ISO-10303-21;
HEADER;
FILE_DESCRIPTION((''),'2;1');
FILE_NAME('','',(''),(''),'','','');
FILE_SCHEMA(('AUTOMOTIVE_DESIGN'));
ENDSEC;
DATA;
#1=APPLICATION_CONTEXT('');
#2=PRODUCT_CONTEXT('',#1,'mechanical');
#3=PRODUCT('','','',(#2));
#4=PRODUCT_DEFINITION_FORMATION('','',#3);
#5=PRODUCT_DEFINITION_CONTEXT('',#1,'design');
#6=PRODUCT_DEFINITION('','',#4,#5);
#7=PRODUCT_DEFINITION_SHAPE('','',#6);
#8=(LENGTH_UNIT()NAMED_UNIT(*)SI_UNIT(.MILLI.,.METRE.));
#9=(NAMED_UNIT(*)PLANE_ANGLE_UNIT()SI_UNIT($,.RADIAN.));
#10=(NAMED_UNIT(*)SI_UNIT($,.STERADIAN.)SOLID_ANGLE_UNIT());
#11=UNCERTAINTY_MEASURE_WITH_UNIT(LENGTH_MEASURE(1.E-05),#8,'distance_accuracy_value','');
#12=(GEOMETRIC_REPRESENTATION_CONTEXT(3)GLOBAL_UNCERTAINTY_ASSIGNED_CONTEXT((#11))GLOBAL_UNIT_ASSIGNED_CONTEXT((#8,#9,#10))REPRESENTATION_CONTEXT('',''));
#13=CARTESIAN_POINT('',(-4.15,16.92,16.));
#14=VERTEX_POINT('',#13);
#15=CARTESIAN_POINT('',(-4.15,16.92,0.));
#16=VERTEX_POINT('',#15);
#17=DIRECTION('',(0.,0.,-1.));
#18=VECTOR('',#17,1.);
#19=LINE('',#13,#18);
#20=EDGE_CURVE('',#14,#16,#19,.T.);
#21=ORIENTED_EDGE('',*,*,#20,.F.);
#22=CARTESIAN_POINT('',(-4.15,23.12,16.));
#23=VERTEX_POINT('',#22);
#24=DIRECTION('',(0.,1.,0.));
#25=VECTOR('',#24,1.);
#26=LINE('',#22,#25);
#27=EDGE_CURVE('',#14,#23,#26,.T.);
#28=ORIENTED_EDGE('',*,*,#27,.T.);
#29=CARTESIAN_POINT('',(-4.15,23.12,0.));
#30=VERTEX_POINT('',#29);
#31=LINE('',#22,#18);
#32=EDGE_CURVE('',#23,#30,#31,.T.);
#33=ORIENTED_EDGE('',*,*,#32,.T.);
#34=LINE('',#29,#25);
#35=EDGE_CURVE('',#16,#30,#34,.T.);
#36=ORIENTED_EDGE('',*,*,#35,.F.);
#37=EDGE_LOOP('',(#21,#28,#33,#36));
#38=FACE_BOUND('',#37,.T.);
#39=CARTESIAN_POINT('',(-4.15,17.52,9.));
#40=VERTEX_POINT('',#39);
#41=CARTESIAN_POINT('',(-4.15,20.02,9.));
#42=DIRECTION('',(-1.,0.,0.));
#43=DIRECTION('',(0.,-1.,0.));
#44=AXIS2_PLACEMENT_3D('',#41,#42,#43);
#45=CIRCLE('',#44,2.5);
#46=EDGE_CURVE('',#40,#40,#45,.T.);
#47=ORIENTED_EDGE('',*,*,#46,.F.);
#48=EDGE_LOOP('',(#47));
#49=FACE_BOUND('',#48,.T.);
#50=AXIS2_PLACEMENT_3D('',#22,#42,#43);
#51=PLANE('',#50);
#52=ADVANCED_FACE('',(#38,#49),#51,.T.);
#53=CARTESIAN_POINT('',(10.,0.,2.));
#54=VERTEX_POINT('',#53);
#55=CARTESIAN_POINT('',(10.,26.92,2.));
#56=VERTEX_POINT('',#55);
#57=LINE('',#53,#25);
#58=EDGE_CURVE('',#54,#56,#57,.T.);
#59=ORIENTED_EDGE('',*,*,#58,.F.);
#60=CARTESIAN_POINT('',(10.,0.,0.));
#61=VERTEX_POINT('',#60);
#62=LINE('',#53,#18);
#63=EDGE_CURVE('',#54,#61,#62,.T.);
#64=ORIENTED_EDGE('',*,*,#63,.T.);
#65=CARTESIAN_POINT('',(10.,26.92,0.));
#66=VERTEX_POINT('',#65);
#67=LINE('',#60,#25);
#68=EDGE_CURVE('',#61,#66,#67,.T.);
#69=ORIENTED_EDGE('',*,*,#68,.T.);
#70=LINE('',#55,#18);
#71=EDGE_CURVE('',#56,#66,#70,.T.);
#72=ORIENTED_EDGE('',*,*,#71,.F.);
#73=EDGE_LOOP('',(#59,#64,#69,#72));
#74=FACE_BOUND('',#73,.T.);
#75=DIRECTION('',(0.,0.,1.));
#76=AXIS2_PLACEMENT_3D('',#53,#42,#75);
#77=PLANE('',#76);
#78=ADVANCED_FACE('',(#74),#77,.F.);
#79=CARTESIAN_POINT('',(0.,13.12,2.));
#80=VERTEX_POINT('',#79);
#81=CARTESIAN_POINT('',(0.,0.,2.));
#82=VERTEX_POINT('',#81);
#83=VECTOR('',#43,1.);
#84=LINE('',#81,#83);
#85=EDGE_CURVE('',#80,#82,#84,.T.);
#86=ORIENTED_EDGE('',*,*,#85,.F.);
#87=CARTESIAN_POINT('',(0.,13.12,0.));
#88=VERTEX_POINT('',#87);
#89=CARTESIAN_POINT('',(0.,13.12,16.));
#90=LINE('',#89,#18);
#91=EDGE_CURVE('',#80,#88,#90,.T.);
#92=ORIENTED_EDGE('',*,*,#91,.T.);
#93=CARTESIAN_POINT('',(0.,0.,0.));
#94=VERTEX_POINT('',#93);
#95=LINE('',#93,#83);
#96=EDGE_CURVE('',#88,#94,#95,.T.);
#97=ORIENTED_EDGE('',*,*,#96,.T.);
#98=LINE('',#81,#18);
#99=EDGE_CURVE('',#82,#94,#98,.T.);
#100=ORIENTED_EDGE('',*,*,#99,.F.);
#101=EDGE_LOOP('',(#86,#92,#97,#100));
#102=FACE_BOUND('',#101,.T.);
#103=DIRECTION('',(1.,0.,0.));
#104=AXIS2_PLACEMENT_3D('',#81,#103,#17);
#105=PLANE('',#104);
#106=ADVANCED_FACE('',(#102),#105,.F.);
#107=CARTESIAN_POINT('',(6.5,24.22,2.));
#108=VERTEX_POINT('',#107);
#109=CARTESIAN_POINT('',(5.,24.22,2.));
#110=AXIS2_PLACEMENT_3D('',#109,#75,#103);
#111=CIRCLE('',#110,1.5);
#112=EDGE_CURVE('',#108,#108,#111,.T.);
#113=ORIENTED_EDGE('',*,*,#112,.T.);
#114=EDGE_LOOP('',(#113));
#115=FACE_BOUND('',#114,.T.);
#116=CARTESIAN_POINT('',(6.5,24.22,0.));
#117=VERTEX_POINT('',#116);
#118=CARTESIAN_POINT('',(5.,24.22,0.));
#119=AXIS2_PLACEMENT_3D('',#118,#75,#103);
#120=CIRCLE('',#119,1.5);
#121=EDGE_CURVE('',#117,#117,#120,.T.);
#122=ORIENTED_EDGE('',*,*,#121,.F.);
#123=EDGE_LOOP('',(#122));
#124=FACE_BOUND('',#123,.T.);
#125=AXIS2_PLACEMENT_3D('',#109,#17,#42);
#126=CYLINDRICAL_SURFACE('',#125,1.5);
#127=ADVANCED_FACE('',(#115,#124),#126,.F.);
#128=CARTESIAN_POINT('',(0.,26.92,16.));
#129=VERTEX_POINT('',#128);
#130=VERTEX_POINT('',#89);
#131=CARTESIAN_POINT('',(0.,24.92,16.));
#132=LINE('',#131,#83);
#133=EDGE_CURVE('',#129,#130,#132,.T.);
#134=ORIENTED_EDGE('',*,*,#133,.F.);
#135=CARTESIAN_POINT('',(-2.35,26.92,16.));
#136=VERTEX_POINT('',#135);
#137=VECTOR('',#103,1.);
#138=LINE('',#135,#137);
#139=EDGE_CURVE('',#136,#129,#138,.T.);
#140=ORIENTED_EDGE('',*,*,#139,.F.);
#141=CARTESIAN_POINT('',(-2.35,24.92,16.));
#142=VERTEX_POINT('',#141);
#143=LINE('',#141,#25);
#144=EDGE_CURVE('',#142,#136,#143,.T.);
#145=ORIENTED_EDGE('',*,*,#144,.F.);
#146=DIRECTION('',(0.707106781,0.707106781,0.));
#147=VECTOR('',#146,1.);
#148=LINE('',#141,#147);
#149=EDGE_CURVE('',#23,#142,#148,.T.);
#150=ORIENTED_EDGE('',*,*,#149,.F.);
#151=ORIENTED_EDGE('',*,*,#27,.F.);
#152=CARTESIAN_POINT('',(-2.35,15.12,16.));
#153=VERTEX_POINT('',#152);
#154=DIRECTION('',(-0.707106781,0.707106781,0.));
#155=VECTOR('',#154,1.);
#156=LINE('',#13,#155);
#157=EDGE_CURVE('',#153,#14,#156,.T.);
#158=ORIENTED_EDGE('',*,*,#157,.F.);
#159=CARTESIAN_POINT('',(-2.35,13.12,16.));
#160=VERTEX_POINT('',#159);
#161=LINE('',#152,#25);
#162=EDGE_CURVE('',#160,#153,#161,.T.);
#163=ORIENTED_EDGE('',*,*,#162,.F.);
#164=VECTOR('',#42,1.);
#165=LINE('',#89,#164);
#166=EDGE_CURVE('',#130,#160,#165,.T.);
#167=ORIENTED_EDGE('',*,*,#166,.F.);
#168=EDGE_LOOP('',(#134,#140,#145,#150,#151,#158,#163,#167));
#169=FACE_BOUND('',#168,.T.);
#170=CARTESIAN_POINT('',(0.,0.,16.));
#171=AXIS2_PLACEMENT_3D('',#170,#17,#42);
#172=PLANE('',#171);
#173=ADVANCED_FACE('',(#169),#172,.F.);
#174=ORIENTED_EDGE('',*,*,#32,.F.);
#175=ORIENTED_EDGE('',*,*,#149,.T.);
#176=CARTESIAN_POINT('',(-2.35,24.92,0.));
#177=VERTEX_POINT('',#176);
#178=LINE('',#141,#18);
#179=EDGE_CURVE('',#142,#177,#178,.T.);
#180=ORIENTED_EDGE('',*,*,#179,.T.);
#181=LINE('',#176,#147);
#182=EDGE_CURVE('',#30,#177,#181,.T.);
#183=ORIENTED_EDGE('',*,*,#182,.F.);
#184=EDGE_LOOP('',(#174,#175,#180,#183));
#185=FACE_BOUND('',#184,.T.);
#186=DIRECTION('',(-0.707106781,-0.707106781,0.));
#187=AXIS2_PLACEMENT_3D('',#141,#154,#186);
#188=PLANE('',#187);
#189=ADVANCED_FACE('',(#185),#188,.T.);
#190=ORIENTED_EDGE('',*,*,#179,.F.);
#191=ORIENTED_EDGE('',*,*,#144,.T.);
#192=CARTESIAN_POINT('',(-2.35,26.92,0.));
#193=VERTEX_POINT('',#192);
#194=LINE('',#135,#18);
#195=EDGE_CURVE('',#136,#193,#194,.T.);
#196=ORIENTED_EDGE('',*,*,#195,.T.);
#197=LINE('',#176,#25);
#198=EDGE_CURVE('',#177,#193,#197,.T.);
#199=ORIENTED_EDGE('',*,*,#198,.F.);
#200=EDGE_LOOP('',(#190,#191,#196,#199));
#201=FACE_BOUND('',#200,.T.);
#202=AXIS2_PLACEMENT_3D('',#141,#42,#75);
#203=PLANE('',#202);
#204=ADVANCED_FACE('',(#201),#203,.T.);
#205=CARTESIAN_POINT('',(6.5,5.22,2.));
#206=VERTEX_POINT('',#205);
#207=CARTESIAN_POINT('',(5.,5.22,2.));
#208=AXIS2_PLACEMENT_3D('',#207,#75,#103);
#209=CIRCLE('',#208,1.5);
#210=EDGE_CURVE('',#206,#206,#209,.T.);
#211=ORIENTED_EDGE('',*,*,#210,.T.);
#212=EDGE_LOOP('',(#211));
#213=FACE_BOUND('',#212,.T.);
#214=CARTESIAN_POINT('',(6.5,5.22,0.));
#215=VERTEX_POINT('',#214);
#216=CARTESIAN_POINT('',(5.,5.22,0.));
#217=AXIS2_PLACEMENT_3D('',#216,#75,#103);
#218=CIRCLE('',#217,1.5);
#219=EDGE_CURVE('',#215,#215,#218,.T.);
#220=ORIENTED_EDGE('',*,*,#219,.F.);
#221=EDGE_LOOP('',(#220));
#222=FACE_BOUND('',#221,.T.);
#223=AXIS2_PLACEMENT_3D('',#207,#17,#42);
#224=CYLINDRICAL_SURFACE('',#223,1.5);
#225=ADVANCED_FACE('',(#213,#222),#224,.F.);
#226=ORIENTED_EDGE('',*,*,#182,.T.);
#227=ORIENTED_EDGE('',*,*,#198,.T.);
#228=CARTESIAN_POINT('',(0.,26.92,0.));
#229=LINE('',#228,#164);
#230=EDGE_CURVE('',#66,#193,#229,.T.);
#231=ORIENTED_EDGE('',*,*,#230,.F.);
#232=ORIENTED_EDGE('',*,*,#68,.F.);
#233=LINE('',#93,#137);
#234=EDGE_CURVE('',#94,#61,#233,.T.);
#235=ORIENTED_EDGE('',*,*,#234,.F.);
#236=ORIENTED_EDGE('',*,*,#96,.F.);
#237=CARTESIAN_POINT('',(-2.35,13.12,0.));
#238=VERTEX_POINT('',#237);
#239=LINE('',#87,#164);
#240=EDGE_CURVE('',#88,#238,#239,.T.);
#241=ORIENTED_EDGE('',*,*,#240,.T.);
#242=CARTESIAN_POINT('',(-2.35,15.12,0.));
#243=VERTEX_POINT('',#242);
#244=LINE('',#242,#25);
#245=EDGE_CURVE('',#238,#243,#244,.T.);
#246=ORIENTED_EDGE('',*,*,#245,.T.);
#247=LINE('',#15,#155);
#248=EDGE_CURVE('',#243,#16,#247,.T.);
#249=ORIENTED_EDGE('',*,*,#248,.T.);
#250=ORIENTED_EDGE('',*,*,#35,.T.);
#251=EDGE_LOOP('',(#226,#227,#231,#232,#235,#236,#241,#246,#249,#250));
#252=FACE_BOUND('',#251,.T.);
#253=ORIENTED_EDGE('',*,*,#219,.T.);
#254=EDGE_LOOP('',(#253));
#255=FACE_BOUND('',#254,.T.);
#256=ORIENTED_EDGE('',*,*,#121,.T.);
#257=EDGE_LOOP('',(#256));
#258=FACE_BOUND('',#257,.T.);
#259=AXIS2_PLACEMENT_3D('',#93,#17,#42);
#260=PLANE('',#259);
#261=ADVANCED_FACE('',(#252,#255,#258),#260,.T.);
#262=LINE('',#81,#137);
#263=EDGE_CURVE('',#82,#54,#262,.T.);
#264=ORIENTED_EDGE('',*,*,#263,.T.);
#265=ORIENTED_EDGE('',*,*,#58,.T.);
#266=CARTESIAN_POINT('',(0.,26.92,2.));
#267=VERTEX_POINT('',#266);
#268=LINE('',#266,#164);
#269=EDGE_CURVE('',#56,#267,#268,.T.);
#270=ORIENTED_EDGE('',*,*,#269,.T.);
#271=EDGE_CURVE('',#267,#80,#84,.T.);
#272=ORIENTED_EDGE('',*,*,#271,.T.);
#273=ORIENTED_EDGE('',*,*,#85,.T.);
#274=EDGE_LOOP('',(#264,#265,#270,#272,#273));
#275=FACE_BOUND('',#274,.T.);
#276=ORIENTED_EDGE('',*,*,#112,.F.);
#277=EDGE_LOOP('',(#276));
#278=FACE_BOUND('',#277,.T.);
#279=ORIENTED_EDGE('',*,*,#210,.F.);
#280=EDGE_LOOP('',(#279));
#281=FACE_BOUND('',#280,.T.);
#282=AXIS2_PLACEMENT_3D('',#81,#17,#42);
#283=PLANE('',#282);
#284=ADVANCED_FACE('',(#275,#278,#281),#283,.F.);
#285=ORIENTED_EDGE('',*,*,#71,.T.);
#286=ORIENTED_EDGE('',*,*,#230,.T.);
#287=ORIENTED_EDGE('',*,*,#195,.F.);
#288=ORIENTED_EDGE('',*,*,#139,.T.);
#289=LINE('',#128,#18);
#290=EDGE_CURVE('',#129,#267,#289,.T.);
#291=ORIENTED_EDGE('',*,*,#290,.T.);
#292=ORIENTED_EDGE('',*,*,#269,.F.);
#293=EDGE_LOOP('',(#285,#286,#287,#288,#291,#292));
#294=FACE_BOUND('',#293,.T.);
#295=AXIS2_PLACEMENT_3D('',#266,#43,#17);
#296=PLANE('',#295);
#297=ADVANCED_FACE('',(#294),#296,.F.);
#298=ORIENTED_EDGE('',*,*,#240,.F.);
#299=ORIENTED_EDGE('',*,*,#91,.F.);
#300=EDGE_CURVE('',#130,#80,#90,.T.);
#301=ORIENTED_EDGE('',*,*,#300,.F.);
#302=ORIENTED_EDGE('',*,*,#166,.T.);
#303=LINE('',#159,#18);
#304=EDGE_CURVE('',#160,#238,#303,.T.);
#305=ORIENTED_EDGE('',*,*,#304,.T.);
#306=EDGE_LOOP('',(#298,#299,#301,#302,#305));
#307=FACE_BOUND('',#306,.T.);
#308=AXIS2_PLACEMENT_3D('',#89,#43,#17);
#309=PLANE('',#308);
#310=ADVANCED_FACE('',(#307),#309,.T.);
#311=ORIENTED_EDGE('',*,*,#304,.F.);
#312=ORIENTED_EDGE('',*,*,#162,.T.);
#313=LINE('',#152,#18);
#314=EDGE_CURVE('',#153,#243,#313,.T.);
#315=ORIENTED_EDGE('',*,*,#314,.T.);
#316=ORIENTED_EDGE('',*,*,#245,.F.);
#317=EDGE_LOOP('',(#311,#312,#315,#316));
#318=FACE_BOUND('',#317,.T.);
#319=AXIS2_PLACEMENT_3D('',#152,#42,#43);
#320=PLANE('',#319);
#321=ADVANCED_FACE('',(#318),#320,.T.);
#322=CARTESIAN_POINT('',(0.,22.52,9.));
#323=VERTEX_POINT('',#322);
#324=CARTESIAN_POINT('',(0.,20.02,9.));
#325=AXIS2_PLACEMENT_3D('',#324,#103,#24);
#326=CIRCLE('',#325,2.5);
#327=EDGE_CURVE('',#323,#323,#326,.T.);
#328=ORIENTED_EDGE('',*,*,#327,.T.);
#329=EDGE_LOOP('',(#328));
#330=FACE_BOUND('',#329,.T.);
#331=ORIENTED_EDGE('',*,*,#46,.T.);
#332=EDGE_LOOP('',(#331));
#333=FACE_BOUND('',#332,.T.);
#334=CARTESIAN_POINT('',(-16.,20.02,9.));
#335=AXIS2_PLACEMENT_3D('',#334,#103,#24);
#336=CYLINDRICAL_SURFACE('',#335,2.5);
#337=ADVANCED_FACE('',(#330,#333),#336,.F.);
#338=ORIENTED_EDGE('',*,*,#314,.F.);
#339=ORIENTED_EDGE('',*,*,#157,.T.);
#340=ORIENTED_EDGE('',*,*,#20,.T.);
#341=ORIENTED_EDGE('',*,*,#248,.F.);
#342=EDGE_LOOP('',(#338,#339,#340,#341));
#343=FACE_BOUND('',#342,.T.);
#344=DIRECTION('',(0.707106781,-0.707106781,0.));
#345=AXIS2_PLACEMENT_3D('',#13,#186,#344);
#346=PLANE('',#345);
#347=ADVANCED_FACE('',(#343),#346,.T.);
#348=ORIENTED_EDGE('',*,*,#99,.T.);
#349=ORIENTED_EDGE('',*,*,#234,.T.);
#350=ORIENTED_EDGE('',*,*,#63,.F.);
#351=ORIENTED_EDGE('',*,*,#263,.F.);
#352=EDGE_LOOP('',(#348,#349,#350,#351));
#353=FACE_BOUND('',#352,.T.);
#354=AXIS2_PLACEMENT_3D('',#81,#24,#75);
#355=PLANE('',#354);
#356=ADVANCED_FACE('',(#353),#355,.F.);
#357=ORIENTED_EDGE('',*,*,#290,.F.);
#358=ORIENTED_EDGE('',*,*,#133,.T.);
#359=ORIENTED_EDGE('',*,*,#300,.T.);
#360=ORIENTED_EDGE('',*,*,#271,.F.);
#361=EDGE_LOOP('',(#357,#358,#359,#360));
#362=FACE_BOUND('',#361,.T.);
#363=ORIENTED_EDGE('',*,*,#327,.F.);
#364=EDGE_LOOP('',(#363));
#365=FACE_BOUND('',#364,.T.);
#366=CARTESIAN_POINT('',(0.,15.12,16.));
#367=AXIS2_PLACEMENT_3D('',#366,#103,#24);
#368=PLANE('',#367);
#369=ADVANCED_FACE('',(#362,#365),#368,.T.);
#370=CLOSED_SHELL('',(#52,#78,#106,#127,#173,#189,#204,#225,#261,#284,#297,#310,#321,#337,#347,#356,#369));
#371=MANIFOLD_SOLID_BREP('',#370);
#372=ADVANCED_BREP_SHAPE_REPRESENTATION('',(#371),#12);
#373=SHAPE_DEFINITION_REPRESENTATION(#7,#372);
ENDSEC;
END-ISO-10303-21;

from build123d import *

# Parameters (mm, degrees)
SKETCH1_W           = 10
SKETCH1_H           = 26.92
SKETCH1_R           = 1.5
BOSS_EXTRUDE1_DEPTH = 2
BOSS_EXTRUDE2_DEPTH = 16
SKETCH5_R           = 2.5
CUT_EXTRUDE1_DEPTH  = 16


with BuildPart() as part:
    # Sketch1 → Boss-Extrude1 (new body)
    with BuildSketch(Plane.XY):
        with Locations((5, 13.46)):
            Rectangle(SKETCH1_W, SKETCH1_H)
        with Locations((5, 24.22)):
            Circle(SKETCH1_R, mode=Mode.SUBTRACT)
        with Locations((5, 5.22)):
            Circle(SKETCH1_R, mode=Mode.SUBTRACT)
    extrude(amount=BOSS_EXTRUDE1_DEPTH)

    # Sketch2 → Boss-Extrude2 (add)
    with BuildSketch(Plane(origin=(0, 0, 0), x_dir=(-1, 0, 0), z_dir=(0, 0, -1))):
        Polygon((2.35, 24.92), (4.15, 23.12), (4.15, 16.92), (2.35, 15.12), (2.35, 13.12), (0, 13.12), (0, 15.12), (0, 24.92), (0, 26.92), (2.35, 26.92), align=None)
    extrude(amount=-BOSS_EXTRUDE2_DEPTH)

    # Sketch5 → Cut-Extrude1 (cut)
    with BuildSketch(Plane(origin=(0, 0, 0), x_dir=(0, 0, -1), z_dir=(1, 0, 0))):
        with Locations(Location((-9, 20.02, 0), (0, 0, 90))):
            Circle(SKETCH5_R)
    extrude(amount=-CUT_EXTRUDE1_DEPTH, mode=Mode.SUBTRACT)


solid = part.part
